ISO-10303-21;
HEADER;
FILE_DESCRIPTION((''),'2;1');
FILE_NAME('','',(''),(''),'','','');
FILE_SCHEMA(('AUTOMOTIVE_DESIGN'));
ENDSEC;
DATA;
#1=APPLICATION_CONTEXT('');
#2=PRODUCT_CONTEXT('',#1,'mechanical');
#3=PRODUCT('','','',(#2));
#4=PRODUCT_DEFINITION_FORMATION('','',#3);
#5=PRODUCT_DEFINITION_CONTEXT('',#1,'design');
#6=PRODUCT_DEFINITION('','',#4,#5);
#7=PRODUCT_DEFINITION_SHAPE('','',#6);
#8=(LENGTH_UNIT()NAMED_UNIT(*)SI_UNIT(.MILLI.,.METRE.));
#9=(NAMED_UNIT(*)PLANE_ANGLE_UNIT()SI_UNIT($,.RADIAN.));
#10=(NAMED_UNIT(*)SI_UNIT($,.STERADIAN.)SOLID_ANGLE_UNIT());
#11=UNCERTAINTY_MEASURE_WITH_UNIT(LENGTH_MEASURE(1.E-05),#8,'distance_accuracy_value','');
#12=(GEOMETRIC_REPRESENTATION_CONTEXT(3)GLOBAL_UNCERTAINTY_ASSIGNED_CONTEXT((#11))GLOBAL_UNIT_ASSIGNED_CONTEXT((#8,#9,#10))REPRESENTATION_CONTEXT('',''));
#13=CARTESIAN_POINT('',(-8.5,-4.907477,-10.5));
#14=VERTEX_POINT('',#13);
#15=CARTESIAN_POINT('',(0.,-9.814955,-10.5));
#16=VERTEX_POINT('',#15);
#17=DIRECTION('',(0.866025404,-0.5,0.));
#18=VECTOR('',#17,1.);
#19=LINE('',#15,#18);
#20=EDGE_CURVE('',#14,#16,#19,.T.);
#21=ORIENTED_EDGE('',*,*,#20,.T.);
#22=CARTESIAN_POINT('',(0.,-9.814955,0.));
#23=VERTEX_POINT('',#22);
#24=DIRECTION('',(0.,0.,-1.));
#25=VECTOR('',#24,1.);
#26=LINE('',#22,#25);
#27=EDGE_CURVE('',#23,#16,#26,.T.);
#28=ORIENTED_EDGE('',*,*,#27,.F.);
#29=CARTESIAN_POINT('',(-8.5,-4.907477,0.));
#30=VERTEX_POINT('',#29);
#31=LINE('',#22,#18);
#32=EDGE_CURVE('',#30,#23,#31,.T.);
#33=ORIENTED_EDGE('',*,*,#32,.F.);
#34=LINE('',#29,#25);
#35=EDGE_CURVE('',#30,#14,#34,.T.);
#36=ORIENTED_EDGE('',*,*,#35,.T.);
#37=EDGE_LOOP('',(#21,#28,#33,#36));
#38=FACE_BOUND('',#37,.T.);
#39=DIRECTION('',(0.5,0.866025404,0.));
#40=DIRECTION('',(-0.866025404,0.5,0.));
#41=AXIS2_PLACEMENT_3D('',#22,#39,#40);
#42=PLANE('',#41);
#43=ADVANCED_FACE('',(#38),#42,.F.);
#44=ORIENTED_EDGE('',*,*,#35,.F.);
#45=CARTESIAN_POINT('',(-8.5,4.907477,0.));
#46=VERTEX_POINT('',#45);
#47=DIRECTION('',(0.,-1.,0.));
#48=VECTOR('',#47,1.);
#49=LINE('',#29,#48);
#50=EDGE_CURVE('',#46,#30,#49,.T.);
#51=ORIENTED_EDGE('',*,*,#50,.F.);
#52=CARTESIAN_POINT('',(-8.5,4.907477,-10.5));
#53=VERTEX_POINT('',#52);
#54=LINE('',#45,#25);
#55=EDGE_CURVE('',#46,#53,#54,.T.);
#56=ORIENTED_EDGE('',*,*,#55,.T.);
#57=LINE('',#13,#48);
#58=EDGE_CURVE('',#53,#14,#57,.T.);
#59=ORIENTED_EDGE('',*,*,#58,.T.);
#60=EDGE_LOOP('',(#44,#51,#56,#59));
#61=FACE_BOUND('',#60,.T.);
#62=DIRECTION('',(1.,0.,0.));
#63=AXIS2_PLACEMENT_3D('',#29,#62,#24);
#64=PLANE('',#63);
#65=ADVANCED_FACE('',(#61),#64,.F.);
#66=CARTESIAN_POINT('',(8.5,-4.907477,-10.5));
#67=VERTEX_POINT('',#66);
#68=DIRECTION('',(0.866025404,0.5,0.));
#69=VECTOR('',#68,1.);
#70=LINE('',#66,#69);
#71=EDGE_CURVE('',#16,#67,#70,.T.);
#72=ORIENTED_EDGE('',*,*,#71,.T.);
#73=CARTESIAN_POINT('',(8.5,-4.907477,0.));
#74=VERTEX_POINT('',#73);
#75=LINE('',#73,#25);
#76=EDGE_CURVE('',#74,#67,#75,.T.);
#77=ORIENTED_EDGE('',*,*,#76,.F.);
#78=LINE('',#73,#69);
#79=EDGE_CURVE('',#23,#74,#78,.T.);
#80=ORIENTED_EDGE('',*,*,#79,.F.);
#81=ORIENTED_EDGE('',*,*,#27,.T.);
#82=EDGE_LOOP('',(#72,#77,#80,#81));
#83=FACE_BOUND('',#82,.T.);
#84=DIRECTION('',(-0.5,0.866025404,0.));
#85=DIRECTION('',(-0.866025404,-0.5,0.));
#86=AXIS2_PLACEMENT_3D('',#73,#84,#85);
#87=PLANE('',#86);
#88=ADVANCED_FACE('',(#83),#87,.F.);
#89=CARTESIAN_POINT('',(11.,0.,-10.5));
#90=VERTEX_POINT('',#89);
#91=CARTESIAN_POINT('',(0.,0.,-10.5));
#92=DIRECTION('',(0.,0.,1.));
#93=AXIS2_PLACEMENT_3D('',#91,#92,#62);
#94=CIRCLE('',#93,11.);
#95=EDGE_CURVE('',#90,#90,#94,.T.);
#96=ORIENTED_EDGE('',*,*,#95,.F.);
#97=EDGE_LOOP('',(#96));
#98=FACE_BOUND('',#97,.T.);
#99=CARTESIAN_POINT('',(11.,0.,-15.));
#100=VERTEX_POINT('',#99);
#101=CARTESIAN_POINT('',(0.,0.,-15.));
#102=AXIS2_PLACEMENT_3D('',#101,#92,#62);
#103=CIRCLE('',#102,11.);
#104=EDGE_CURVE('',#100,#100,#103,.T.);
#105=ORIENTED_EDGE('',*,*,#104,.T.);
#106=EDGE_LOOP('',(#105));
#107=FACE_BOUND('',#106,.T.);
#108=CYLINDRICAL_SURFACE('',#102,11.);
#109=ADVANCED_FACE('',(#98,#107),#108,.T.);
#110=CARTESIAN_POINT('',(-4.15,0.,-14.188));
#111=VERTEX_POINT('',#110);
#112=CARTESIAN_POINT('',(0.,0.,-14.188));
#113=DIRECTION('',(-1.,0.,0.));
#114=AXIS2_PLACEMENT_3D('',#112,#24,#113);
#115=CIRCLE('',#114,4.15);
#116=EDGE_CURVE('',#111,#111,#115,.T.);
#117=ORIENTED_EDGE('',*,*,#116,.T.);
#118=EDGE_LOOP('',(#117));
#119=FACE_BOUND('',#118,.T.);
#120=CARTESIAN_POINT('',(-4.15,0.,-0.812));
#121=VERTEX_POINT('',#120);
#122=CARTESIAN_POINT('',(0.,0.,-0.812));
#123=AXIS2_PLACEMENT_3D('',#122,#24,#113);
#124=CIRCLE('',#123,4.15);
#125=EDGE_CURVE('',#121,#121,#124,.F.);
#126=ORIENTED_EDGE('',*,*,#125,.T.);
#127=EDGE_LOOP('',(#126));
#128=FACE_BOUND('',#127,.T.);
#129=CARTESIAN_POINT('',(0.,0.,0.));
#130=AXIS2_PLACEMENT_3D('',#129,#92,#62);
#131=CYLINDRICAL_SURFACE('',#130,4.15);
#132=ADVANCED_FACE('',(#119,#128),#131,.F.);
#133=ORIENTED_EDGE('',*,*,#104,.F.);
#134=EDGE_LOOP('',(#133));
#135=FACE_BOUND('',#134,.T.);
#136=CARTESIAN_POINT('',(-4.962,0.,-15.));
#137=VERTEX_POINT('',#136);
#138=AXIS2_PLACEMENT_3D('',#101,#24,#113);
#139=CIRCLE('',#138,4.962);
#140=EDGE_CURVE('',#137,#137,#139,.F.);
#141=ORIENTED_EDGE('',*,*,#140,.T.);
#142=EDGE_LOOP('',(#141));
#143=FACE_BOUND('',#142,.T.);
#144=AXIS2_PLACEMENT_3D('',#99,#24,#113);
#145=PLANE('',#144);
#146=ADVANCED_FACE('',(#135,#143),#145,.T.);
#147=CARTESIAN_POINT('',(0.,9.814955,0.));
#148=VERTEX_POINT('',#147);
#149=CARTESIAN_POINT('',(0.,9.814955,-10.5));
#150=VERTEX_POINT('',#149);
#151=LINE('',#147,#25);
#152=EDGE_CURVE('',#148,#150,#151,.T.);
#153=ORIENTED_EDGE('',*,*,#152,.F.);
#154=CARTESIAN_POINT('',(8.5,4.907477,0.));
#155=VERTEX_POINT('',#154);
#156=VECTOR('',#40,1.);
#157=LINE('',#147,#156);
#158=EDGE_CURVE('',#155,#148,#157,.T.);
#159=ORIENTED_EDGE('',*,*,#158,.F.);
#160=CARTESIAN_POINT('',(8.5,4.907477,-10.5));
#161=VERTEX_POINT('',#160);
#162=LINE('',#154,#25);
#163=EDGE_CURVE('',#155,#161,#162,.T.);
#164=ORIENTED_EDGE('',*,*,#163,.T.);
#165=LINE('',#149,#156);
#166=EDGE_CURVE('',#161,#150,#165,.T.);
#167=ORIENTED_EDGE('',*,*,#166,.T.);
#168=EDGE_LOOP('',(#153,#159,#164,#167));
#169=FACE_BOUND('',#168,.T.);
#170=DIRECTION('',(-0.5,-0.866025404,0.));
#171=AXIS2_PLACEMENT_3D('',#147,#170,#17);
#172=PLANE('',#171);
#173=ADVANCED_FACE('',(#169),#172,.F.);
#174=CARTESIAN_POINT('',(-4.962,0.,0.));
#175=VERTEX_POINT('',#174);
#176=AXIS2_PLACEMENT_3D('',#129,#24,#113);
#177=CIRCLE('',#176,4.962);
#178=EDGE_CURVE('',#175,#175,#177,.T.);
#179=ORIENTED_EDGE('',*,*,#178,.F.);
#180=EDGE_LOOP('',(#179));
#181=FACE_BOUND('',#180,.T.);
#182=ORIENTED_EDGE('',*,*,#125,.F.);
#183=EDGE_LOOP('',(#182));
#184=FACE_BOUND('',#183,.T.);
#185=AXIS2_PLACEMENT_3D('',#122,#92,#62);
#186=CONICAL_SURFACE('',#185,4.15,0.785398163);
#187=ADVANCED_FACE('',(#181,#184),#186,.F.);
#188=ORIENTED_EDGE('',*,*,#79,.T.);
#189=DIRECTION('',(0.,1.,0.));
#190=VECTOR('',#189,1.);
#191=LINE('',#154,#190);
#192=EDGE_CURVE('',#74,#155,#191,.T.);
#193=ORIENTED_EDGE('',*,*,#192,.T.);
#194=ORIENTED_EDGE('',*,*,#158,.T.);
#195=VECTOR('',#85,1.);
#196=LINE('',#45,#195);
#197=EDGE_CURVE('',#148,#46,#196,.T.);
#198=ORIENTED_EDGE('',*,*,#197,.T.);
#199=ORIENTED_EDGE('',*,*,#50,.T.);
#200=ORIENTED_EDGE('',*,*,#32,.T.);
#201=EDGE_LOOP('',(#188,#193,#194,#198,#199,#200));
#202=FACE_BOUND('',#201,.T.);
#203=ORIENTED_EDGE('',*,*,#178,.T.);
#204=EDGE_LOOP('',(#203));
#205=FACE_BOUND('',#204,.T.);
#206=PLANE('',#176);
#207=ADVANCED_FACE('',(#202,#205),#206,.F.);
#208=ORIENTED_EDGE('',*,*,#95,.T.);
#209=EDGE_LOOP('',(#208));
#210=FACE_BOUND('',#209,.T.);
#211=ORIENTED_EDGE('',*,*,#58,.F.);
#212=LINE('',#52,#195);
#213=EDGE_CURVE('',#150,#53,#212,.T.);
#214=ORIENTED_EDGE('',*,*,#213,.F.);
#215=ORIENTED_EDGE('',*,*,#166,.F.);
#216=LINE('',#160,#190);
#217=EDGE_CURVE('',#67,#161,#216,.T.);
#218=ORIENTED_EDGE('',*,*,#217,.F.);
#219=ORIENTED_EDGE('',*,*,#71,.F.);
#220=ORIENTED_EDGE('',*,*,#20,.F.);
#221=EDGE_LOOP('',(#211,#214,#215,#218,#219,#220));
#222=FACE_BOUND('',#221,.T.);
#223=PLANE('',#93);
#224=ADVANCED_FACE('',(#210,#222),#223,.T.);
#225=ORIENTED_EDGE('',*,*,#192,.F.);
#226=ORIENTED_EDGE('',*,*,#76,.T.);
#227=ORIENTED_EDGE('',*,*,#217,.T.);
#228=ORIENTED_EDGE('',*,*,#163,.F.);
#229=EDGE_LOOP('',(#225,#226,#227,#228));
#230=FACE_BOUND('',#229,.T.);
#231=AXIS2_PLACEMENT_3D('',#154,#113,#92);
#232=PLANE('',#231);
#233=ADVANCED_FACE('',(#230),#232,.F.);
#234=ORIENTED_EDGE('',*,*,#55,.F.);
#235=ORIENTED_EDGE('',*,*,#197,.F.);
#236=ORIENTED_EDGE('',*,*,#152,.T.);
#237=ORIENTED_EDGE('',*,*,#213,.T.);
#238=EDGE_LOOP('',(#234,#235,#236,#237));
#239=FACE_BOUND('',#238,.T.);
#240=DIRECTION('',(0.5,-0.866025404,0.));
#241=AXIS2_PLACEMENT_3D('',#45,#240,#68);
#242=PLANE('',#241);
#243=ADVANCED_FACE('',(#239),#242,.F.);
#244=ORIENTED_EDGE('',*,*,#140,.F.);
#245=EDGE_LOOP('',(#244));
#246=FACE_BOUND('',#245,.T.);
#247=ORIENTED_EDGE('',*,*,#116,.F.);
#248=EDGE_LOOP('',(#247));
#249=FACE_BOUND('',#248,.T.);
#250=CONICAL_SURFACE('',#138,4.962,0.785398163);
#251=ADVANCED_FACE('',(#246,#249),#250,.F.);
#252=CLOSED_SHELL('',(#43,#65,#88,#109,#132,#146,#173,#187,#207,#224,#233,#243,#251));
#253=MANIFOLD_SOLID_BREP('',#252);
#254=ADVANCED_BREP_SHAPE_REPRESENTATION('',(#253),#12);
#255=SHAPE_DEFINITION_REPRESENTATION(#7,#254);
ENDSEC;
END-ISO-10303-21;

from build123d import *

# Parameters (mm, degrees)
SKETCH_1_W          = 11
SKETCH_1_H          = 4.5
EXTRUDE_1_DEPTH     = 10.5
HOLE_WIZARD_1_D     = 8.3
HOLE_WIZARD_1_DEPTH = 15
CHAMFER_1_SIZE      = 0.812


with BuildPart() as part:
    # 草圖1 → 旋轉1 (revolve)
    with BuildSketch(Plane(origin=(0, 0, 0), x_dir=(1, 0, 0), z_dir=(0, 1, 0))):
        with Locations((5.5, 12.75)):
            Rectangle(SKETCH_1_W, SKETCH_1_H)
    revolve(axis=Axis((0, 0, -15), (0, 0, 1)))

    # 草圖2 → 填料-伸長1 (add)
    with BuildSketch(Plane.XY.offset(-10.5)):
        Polygon((-8.5, -4.907477288), (-8.5, 4.907477288), (0, 9.814954576), (8.5, 4.907477288), (8.5, -4.907477288), (0, -9.814954576), align=None)
    extrude(amount=EXTRUDE_1_DEPTH)

    # 鑽孔1
    with Locations(Plane.XY):
        with Locations((0, 0)):
            Hole(HOLE_WIZARD_1_D / 2, depth=HOLE_WIZARD_1_DEPTH)

    # 導角1
    chamfer_1_edges = [part.edges().sort_by_distance(p)[0] for p in [
        (4.15, 0, 0),
        (4.15, 0, -15),
    ]]
    chamfer(chamfer_1_edges, length=CHAMFER_1_SIZE)


solid = part.part
